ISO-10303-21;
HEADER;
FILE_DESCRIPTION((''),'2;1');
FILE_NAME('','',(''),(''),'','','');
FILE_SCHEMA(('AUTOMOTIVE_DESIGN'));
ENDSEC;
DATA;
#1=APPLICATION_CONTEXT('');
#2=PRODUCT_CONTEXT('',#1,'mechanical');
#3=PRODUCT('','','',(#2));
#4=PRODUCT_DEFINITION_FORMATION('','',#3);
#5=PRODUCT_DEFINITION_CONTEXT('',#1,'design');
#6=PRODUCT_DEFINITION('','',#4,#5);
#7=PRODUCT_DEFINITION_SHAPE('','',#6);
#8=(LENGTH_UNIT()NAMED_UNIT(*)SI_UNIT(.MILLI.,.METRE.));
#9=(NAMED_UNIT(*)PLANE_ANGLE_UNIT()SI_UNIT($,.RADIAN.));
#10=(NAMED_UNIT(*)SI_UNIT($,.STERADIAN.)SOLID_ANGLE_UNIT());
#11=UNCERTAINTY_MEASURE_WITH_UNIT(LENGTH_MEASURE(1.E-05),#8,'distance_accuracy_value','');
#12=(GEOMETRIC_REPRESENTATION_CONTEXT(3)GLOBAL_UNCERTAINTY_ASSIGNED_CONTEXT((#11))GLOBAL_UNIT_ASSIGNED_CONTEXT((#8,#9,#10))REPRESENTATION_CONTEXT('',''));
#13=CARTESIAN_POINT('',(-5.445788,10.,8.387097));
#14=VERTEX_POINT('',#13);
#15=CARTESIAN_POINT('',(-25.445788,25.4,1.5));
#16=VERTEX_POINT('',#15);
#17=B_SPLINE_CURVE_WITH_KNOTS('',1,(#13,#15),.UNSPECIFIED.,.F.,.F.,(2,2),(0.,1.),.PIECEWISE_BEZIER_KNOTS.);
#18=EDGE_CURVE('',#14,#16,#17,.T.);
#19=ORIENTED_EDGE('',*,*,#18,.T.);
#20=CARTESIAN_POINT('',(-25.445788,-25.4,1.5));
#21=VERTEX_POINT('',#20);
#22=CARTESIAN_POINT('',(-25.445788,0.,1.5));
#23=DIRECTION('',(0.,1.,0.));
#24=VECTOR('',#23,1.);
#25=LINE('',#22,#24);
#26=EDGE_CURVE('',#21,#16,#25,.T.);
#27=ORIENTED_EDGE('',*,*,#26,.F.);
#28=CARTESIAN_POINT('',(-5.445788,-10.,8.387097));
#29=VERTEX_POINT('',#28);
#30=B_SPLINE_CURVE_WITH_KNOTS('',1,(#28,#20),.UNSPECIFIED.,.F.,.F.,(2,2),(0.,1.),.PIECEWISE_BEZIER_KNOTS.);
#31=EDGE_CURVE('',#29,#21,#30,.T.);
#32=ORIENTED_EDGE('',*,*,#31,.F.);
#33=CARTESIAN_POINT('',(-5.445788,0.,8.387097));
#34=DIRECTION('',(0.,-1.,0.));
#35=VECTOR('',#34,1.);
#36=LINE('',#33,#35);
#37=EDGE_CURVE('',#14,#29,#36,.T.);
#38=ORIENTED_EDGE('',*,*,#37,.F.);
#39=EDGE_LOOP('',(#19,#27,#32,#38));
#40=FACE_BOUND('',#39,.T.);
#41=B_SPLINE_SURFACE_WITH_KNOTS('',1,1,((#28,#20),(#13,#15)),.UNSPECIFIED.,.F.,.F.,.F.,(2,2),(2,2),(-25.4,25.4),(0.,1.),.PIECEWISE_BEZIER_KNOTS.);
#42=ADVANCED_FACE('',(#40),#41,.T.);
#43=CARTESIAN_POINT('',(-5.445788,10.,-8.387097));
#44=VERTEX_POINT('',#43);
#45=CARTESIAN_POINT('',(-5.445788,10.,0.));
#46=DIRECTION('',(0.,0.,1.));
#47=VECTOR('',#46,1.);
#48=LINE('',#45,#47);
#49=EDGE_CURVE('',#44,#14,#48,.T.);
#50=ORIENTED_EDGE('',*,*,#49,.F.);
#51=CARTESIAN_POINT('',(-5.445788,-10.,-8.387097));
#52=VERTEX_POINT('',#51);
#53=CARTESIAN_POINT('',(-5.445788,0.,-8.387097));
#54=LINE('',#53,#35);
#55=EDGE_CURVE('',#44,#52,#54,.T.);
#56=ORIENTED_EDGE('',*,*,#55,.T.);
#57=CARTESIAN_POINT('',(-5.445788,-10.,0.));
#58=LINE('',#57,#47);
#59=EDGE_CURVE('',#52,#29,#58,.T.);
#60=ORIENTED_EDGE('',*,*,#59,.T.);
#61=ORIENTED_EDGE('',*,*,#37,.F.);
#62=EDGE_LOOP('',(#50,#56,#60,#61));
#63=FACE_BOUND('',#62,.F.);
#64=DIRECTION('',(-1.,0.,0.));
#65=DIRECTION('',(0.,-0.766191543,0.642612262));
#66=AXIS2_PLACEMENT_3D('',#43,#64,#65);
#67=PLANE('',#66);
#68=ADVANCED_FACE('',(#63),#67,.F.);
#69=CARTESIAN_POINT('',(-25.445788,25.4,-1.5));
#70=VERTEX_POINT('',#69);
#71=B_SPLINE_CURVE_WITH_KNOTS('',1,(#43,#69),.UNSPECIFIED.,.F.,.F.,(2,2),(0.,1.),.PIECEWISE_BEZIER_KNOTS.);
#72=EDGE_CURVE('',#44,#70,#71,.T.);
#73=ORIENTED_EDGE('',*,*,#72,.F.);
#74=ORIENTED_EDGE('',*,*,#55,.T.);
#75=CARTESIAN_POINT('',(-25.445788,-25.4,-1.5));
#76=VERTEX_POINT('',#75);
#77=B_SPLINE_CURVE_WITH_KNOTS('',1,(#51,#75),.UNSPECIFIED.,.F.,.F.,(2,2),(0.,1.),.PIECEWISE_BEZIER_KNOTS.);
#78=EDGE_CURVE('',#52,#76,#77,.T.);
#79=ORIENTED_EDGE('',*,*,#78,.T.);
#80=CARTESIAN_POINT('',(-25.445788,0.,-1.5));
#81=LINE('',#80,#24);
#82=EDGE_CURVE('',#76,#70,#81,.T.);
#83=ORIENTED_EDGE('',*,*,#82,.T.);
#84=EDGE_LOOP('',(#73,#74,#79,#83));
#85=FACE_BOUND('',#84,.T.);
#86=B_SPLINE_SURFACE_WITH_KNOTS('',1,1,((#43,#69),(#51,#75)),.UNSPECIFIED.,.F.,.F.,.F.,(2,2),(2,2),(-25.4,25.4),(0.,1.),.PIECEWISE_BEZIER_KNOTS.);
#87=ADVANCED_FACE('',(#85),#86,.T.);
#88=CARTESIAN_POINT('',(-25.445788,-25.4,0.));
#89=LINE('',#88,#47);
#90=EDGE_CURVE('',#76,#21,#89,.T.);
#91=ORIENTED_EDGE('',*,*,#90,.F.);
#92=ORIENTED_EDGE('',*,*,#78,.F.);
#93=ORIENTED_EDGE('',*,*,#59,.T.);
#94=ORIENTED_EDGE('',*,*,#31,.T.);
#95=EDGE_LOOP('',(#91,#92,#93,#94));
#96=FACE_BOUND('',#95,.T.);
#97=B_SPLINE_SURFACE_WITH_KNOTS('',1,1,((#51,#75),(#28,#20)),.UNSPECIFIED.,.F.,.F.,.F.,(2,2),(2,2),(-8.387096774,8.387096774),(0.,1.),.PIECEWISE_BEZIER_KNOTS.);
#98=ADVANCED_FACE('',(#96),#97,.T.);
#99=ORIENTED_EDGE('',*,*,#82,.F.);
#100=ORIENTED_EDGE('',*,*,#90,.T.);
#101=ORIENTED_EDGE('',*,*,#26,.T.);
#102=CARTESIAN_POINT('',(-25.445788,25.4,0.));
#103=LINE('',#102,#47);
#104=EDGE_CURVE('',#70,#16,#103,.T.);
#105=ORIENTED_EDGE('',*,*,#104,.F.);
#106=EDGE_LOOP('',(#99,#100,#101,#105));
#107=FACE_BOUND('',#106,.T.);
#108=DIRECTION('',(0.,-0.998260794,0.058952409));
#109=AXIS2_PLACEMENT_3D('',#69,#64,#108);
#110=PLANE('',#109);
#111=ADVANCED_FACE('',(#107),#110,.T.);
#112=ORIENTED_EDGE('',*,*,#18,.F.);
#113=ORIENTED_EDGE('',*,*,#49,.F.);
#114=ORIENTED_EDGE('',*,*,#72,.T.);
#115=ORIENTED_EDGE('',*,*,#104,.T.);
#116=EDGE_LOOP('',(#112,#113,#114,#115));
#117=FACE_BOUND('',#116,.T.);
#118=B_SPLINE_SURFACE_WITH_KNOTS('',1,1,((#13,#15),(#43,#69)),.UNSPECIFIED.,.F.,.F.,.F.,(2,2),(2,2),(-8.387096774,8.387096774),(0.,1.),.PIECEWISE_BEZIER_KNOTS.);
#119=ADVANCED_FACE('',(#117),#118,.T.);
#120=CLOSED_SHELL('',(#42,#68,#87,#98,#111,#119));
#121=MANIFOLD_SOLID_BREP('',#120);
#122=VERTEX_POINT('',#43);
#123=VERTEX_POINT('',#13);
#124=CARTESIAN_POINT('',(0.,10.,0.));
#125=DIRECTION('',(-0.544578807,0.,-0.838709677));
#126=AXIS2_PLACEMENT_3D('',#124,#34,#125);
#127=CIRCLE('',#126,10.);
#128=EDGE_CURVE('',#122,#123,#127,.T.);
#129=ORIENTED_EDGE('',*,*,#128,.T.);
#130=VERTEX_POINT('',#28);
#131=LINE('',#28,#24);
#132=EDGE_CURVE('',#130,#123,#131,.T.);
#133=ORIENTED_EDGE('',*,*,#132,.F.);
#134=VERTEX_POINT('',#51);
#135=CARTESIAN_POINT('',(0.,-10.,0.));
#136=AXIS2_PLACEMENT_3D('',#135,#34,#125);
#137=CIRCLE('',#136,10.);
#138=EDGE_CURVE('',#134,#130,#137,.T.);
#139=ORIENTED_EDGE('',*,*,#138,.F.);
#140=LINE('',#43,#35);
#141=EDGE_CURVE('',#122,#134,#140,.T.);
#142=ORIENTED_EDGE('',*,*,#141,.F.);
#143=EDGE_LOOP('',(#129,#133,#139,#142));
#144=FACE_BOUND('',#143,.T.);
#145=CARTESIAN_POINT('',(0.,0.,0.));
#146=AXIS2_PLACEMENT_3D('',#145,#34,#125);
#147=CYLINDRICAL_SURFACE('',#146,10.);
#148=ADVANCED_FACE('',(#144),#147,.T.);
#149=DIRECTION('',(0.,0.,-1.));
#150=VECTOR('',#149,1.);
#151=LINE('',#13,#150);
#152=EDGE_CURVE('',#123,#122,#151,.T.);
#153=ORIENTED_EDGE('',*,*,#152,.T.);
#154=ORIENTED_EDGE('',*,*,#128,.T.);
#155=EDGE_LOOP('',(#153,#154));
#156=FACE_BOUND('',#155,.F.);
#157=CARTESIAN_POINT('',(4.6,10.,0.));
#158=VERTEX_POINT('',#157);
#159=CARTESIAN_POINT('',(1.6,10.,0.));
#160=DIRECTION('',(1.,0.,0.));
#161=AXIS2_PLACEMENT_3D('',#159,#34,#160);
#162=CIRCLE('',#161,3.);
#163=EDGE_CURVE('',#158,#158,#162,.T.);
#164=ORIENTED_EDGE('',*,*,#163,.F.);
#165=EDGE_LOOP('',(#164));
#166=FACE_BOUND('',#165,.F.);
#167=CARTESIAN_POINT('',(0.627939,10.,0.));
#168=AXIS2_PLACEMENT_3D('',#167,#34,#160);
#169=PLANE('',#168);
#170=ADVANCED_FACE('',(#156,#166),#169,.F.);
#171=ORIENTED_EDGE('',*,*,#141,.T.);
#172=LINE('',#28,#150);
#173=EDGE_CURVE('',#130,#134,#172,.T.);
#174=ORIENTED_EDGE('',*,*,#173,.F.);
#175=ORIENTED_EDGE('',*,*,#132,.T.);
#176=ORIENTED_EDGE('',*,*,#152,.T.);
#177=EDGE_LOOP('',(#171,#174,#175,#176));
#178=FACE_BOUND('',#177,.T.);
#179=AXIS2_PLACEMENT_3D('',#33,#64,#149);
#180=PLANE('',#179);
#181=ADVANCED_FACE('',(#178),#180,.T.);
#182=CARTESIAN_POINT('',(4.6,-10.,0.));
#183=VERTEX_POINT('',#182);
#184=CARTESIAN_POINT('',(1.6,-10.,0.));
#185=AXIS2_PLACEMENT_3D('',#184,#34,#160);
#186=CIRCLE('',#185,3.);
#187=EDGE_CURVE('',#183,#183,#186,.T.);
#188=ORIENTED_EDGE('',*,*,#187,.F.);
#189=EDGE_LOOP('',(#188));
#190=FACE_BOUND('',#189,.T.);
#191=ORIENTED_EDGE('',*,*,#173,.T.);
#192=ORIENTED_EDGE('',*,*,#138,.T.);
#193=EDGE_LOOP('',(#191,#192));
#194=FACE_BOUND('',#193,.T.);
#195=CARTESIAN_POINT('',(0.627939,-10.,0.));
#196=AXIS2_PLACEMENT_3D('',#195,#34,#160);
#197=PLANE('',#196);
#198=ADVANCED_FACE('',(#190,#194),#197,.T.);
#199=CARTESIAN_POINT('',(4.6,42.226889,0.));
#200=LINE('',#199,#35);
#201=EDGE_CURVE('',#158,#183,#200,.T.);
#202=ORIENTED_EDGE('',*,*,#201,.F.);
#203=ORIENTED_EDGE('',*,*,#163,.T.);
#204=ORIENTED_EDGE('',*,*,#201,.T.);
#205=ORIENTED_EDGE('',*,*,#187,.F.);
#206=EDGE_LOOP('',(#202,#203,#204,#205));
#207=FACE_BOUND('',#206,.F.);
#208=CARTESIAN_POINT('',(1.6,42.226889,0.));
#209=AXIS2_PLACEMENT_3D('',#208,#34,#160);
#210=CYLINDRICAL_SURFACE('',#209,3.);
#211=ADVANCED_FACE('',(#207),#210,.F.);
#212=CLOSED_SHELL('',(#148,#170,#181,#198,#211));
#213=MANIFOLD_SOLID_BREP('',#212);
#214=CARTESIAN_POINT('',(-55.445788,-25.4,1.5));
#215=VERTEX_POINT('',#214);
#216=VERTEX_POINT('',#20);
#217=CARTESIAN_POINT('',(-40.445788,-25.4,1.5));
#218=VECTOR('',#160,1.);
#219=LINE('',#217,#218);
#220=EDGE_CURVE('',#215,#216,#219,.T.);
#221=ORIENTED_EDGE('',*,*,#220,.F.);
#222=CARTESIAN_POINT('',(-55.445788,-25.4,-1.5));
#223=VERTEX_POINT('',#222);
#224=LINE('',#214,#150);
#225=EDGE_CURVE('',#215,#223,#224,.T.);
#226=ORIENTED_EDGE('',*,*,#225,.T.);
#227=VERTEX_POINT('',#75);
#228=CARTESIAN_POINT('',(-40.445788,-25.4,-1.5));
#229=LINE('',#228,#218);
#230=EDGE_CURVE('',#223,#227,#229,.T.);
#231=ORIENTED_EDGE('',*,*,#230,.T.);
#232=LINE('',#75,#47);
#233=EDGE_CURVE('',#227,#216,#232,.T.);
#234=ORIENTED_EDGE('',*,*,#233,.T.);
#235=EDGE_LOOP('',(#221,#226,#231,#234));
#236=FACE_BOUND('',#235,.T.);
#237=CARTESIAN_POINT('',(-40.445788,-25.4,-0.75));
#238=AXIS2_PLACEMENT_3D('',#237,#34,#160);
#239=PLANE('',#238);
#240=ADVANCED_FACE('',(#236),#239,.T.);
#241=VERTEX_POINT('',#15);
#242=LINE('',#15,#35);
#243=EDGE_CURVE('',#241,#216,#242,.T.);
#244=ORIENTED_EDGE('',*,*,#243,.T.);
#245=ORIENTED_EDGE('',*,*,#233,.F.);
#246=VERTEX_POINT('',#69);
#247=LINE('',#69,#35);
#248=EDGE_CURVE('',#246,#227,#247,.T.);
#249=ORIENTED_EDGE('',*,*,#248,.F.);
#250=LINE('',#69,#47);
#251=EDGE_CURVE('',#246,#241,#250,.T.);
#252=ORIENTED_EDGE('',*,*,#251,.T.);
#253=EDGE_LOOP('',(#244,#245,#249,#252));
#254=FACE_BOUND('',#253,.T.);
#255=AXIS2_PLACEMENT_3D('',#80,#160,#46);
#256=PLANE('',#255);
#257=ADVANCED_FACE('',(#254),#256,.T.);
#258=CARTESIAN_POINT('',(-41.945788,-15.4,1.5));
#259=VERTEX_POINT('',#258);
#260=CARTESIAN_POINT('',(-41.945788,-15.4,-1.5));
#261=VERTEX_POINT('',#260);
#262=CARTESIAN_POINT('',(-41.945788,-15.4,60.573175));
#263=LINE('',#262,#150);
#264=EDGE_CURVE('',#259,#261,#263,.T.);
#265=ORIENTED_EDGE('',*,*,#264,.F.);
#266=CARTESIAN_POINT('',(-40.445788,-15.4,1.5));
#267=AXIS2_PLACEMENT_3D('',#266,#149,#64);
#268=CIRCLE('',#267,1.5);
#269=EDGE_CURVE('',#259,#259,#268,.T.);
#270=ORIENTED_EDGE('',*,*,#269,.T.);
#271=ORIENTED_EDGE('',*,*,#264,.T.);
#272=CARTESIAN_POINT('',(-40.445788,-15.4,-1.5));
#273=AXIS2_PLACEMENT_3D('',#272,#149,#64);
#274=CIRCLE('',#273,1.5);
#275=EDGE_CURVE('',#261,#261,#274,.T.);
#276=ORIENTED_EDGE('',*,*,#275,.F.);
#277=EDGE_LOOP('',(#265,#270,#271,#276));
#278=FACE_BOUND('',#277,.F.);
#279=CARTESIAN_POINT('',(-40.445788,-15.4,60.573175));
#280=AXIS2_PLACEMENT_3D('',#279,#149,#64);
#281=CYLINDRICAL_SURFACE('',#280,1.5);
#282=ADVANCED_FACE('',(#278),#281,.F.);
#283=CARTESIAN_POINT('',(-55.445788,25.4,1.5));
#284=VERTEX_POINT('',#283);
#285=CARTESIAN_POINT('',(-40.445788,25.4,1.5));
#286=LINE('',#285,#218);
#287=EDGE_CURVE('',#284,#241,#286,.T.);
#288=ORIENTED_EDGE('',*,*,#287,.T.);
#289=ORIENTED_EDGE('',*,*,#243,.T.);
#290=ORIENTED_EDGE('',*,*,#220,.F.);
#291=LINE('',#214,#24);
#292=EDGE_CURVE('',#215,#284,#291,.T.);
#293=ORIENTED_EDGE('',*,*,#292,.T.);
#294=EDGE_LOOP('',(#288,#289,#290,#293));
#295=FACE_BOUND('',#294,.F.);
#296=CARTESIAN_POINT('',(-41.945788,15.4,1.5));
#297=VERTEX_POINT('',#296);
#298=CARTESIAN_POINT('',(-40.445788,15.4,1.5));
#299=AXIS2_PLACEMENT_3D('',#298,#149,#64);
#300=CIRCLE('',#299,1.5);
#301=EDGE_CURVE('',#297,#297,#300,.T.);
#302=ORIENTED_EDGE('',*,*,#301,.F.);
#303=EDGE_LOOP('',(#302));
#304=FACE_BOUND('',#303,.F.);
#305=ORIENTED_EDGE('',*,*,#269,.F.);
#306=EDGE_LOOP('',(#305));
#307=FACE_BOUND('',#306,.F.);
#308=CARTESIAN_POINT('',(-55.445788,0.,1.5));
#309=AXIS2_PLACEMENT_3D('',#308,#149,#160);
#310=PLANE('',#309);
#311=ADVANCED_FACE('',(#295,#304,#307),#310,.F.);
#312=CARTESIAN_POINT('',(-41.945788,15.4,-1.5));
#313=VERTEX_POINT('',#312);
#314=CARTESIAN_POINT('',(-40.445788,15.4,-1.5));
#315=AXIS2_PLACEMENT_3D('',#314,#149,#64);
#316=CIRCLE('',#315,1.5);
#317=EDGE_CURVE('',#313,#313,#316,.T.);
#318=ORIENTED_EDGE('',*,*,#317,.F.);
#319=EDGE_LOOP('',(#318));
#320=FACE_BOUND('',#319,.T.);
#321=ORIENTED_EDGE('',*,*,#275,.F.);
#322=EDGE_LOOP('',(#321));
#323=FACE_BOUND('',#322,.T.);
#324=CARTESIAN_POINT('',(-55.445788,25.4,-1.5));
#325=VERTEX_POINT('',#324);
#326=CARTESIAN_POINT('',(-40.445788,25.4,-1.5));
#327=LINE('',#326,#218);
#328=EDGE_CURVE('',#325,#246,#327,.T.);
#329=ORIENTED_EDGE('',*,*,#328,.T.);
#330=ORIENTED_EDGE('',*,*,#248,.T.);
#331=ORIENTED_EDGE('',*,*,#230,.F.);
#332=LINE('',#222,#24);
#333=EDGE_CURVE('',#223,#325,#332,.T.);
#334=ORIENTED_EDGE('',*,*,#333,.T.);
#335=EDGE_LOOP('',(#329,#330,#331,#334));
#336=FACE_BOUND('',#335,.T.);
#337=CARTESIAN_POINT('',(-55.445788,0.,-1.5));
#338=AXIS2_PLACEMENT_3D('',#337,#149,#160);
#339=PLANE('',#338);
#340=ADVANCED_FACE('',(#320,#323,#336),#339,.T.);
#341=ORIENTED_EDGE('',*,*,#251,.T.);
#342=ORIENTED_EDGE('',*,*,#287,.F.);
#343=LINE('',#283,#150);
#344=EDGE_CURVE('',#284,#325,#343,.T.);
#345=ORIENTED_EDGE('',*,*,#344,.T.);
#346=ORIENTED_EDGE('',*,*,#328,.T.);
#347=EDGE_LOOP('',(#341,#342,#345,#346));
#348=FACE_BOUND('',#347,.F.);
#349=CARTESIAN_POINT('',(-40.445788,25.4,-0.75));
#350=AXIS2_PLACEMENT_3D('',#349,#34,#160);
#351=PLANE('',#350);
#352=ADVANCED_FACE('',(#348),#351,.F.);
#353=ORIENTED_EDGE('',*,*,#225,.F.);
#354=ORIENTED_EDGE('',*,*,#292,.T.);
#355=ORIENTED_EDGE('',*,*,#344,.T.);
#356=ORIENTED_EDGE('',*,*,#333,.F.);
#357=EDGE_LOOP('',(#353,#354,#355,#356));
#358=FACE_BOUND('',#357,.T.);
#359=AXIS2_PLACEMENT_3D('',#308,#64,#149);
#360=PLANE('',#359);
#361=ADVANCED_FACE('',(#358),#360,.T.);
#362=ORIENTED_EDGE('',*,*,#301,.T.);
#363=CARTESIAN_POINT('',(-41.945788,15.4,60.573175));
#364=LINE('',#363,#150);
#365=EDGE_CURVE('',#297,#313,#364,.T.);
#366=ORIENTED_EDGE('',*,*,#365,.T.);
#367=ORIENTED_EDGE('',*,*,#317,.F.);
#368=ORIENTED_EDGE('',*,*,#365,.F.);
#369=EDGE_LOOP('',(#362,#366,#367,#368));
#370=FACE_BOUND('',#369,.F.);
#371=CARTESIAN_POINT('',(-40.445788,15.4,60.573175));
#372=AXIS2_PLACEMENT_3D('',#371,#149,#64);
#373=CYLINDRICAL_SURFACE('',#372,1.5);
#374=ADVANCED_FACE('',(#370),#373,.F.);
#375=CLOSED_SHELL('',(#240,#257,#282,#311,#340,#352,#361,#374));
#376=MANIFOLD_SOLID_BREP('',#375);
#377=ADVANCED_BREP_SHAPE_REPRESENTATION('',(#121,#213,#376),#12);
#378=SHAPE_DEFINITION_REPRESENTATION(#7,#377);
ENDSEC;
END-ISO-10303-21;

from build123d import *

# Parameters (mm, degrees)
F1_DEPTH   = 10
F3_D       = 6
F4_W       = 30
F4_H       = 1.5
F5_DEPTH   = 25.4
F1_FACE1_W = 20
F1_FACE1_H = 16.7741935484
F5_FACE_W  = 50.8
F5_FACE_H  = 3
F8_D       = 3


with BuildPart() as f1:
    # F0 (on Front) → F1 (new body, symmetric)
    with BuildSketch(Plane.XZ):
        with BuildLine():
            Line((-5.4457880697, 8.3870967742), (-5.4457880697, -8.3870967742))
            ThreePointArc((-5.4457880697, -8.3870967742), (10, 0), (-5.4457880697, 8.3870967742))
        make_face()
    extrude(amount=F1_DEPTH, both=True)

    # F3 (through all)
    with Locations(Plane(origin=(0, 10, 0), x_dir=(-1, 0, 0), z_dir=(0, 1, 0))):
        with Locations((-1.6, 0)):
            Hole(F3_D / 2)


with BuildPart() as f5:
    # F4 (on Front) → F5 (new body, symmetric)
    with BuildSketch(Plane.XZ):
        with Locations((-40.4457880697, -0.75)):
            Rectangle(F4_W, F4_H)
        with Locations((-40.4457880697, 0.75)):
            Rectangle(F4_W, F4_H)
    extrude(amount=F5_DEPTH, both=True)

    # F8 (through all)
    with Locations(Plane.XY.offset(1.5)):
        with Locations((-40.4457880697, 15.4), (-40.4457880697, -15.4)):
            Hole(F8_D / 2)


with BuildPart() as f6:
    # F1_face1 (on face) → F6 section 0
    with BuildSketch(Plane(origin=(-5.4457880697, 0, 0), x_dir=(0, -1, 0), z_dir=(-1, 0, 0))):
        Rectangle(F1_FACE1_W, F1_FACE1_H)
    # F5_face (on face) → F6 section 1
    with BuildSketch(Plane.YZ.offset(-25.4457880697)):
        Rectangle(F5_FACE_W, F5_FACE_H)
    loft()


solid = Compound([f1.part, f5.part, f6.part])
